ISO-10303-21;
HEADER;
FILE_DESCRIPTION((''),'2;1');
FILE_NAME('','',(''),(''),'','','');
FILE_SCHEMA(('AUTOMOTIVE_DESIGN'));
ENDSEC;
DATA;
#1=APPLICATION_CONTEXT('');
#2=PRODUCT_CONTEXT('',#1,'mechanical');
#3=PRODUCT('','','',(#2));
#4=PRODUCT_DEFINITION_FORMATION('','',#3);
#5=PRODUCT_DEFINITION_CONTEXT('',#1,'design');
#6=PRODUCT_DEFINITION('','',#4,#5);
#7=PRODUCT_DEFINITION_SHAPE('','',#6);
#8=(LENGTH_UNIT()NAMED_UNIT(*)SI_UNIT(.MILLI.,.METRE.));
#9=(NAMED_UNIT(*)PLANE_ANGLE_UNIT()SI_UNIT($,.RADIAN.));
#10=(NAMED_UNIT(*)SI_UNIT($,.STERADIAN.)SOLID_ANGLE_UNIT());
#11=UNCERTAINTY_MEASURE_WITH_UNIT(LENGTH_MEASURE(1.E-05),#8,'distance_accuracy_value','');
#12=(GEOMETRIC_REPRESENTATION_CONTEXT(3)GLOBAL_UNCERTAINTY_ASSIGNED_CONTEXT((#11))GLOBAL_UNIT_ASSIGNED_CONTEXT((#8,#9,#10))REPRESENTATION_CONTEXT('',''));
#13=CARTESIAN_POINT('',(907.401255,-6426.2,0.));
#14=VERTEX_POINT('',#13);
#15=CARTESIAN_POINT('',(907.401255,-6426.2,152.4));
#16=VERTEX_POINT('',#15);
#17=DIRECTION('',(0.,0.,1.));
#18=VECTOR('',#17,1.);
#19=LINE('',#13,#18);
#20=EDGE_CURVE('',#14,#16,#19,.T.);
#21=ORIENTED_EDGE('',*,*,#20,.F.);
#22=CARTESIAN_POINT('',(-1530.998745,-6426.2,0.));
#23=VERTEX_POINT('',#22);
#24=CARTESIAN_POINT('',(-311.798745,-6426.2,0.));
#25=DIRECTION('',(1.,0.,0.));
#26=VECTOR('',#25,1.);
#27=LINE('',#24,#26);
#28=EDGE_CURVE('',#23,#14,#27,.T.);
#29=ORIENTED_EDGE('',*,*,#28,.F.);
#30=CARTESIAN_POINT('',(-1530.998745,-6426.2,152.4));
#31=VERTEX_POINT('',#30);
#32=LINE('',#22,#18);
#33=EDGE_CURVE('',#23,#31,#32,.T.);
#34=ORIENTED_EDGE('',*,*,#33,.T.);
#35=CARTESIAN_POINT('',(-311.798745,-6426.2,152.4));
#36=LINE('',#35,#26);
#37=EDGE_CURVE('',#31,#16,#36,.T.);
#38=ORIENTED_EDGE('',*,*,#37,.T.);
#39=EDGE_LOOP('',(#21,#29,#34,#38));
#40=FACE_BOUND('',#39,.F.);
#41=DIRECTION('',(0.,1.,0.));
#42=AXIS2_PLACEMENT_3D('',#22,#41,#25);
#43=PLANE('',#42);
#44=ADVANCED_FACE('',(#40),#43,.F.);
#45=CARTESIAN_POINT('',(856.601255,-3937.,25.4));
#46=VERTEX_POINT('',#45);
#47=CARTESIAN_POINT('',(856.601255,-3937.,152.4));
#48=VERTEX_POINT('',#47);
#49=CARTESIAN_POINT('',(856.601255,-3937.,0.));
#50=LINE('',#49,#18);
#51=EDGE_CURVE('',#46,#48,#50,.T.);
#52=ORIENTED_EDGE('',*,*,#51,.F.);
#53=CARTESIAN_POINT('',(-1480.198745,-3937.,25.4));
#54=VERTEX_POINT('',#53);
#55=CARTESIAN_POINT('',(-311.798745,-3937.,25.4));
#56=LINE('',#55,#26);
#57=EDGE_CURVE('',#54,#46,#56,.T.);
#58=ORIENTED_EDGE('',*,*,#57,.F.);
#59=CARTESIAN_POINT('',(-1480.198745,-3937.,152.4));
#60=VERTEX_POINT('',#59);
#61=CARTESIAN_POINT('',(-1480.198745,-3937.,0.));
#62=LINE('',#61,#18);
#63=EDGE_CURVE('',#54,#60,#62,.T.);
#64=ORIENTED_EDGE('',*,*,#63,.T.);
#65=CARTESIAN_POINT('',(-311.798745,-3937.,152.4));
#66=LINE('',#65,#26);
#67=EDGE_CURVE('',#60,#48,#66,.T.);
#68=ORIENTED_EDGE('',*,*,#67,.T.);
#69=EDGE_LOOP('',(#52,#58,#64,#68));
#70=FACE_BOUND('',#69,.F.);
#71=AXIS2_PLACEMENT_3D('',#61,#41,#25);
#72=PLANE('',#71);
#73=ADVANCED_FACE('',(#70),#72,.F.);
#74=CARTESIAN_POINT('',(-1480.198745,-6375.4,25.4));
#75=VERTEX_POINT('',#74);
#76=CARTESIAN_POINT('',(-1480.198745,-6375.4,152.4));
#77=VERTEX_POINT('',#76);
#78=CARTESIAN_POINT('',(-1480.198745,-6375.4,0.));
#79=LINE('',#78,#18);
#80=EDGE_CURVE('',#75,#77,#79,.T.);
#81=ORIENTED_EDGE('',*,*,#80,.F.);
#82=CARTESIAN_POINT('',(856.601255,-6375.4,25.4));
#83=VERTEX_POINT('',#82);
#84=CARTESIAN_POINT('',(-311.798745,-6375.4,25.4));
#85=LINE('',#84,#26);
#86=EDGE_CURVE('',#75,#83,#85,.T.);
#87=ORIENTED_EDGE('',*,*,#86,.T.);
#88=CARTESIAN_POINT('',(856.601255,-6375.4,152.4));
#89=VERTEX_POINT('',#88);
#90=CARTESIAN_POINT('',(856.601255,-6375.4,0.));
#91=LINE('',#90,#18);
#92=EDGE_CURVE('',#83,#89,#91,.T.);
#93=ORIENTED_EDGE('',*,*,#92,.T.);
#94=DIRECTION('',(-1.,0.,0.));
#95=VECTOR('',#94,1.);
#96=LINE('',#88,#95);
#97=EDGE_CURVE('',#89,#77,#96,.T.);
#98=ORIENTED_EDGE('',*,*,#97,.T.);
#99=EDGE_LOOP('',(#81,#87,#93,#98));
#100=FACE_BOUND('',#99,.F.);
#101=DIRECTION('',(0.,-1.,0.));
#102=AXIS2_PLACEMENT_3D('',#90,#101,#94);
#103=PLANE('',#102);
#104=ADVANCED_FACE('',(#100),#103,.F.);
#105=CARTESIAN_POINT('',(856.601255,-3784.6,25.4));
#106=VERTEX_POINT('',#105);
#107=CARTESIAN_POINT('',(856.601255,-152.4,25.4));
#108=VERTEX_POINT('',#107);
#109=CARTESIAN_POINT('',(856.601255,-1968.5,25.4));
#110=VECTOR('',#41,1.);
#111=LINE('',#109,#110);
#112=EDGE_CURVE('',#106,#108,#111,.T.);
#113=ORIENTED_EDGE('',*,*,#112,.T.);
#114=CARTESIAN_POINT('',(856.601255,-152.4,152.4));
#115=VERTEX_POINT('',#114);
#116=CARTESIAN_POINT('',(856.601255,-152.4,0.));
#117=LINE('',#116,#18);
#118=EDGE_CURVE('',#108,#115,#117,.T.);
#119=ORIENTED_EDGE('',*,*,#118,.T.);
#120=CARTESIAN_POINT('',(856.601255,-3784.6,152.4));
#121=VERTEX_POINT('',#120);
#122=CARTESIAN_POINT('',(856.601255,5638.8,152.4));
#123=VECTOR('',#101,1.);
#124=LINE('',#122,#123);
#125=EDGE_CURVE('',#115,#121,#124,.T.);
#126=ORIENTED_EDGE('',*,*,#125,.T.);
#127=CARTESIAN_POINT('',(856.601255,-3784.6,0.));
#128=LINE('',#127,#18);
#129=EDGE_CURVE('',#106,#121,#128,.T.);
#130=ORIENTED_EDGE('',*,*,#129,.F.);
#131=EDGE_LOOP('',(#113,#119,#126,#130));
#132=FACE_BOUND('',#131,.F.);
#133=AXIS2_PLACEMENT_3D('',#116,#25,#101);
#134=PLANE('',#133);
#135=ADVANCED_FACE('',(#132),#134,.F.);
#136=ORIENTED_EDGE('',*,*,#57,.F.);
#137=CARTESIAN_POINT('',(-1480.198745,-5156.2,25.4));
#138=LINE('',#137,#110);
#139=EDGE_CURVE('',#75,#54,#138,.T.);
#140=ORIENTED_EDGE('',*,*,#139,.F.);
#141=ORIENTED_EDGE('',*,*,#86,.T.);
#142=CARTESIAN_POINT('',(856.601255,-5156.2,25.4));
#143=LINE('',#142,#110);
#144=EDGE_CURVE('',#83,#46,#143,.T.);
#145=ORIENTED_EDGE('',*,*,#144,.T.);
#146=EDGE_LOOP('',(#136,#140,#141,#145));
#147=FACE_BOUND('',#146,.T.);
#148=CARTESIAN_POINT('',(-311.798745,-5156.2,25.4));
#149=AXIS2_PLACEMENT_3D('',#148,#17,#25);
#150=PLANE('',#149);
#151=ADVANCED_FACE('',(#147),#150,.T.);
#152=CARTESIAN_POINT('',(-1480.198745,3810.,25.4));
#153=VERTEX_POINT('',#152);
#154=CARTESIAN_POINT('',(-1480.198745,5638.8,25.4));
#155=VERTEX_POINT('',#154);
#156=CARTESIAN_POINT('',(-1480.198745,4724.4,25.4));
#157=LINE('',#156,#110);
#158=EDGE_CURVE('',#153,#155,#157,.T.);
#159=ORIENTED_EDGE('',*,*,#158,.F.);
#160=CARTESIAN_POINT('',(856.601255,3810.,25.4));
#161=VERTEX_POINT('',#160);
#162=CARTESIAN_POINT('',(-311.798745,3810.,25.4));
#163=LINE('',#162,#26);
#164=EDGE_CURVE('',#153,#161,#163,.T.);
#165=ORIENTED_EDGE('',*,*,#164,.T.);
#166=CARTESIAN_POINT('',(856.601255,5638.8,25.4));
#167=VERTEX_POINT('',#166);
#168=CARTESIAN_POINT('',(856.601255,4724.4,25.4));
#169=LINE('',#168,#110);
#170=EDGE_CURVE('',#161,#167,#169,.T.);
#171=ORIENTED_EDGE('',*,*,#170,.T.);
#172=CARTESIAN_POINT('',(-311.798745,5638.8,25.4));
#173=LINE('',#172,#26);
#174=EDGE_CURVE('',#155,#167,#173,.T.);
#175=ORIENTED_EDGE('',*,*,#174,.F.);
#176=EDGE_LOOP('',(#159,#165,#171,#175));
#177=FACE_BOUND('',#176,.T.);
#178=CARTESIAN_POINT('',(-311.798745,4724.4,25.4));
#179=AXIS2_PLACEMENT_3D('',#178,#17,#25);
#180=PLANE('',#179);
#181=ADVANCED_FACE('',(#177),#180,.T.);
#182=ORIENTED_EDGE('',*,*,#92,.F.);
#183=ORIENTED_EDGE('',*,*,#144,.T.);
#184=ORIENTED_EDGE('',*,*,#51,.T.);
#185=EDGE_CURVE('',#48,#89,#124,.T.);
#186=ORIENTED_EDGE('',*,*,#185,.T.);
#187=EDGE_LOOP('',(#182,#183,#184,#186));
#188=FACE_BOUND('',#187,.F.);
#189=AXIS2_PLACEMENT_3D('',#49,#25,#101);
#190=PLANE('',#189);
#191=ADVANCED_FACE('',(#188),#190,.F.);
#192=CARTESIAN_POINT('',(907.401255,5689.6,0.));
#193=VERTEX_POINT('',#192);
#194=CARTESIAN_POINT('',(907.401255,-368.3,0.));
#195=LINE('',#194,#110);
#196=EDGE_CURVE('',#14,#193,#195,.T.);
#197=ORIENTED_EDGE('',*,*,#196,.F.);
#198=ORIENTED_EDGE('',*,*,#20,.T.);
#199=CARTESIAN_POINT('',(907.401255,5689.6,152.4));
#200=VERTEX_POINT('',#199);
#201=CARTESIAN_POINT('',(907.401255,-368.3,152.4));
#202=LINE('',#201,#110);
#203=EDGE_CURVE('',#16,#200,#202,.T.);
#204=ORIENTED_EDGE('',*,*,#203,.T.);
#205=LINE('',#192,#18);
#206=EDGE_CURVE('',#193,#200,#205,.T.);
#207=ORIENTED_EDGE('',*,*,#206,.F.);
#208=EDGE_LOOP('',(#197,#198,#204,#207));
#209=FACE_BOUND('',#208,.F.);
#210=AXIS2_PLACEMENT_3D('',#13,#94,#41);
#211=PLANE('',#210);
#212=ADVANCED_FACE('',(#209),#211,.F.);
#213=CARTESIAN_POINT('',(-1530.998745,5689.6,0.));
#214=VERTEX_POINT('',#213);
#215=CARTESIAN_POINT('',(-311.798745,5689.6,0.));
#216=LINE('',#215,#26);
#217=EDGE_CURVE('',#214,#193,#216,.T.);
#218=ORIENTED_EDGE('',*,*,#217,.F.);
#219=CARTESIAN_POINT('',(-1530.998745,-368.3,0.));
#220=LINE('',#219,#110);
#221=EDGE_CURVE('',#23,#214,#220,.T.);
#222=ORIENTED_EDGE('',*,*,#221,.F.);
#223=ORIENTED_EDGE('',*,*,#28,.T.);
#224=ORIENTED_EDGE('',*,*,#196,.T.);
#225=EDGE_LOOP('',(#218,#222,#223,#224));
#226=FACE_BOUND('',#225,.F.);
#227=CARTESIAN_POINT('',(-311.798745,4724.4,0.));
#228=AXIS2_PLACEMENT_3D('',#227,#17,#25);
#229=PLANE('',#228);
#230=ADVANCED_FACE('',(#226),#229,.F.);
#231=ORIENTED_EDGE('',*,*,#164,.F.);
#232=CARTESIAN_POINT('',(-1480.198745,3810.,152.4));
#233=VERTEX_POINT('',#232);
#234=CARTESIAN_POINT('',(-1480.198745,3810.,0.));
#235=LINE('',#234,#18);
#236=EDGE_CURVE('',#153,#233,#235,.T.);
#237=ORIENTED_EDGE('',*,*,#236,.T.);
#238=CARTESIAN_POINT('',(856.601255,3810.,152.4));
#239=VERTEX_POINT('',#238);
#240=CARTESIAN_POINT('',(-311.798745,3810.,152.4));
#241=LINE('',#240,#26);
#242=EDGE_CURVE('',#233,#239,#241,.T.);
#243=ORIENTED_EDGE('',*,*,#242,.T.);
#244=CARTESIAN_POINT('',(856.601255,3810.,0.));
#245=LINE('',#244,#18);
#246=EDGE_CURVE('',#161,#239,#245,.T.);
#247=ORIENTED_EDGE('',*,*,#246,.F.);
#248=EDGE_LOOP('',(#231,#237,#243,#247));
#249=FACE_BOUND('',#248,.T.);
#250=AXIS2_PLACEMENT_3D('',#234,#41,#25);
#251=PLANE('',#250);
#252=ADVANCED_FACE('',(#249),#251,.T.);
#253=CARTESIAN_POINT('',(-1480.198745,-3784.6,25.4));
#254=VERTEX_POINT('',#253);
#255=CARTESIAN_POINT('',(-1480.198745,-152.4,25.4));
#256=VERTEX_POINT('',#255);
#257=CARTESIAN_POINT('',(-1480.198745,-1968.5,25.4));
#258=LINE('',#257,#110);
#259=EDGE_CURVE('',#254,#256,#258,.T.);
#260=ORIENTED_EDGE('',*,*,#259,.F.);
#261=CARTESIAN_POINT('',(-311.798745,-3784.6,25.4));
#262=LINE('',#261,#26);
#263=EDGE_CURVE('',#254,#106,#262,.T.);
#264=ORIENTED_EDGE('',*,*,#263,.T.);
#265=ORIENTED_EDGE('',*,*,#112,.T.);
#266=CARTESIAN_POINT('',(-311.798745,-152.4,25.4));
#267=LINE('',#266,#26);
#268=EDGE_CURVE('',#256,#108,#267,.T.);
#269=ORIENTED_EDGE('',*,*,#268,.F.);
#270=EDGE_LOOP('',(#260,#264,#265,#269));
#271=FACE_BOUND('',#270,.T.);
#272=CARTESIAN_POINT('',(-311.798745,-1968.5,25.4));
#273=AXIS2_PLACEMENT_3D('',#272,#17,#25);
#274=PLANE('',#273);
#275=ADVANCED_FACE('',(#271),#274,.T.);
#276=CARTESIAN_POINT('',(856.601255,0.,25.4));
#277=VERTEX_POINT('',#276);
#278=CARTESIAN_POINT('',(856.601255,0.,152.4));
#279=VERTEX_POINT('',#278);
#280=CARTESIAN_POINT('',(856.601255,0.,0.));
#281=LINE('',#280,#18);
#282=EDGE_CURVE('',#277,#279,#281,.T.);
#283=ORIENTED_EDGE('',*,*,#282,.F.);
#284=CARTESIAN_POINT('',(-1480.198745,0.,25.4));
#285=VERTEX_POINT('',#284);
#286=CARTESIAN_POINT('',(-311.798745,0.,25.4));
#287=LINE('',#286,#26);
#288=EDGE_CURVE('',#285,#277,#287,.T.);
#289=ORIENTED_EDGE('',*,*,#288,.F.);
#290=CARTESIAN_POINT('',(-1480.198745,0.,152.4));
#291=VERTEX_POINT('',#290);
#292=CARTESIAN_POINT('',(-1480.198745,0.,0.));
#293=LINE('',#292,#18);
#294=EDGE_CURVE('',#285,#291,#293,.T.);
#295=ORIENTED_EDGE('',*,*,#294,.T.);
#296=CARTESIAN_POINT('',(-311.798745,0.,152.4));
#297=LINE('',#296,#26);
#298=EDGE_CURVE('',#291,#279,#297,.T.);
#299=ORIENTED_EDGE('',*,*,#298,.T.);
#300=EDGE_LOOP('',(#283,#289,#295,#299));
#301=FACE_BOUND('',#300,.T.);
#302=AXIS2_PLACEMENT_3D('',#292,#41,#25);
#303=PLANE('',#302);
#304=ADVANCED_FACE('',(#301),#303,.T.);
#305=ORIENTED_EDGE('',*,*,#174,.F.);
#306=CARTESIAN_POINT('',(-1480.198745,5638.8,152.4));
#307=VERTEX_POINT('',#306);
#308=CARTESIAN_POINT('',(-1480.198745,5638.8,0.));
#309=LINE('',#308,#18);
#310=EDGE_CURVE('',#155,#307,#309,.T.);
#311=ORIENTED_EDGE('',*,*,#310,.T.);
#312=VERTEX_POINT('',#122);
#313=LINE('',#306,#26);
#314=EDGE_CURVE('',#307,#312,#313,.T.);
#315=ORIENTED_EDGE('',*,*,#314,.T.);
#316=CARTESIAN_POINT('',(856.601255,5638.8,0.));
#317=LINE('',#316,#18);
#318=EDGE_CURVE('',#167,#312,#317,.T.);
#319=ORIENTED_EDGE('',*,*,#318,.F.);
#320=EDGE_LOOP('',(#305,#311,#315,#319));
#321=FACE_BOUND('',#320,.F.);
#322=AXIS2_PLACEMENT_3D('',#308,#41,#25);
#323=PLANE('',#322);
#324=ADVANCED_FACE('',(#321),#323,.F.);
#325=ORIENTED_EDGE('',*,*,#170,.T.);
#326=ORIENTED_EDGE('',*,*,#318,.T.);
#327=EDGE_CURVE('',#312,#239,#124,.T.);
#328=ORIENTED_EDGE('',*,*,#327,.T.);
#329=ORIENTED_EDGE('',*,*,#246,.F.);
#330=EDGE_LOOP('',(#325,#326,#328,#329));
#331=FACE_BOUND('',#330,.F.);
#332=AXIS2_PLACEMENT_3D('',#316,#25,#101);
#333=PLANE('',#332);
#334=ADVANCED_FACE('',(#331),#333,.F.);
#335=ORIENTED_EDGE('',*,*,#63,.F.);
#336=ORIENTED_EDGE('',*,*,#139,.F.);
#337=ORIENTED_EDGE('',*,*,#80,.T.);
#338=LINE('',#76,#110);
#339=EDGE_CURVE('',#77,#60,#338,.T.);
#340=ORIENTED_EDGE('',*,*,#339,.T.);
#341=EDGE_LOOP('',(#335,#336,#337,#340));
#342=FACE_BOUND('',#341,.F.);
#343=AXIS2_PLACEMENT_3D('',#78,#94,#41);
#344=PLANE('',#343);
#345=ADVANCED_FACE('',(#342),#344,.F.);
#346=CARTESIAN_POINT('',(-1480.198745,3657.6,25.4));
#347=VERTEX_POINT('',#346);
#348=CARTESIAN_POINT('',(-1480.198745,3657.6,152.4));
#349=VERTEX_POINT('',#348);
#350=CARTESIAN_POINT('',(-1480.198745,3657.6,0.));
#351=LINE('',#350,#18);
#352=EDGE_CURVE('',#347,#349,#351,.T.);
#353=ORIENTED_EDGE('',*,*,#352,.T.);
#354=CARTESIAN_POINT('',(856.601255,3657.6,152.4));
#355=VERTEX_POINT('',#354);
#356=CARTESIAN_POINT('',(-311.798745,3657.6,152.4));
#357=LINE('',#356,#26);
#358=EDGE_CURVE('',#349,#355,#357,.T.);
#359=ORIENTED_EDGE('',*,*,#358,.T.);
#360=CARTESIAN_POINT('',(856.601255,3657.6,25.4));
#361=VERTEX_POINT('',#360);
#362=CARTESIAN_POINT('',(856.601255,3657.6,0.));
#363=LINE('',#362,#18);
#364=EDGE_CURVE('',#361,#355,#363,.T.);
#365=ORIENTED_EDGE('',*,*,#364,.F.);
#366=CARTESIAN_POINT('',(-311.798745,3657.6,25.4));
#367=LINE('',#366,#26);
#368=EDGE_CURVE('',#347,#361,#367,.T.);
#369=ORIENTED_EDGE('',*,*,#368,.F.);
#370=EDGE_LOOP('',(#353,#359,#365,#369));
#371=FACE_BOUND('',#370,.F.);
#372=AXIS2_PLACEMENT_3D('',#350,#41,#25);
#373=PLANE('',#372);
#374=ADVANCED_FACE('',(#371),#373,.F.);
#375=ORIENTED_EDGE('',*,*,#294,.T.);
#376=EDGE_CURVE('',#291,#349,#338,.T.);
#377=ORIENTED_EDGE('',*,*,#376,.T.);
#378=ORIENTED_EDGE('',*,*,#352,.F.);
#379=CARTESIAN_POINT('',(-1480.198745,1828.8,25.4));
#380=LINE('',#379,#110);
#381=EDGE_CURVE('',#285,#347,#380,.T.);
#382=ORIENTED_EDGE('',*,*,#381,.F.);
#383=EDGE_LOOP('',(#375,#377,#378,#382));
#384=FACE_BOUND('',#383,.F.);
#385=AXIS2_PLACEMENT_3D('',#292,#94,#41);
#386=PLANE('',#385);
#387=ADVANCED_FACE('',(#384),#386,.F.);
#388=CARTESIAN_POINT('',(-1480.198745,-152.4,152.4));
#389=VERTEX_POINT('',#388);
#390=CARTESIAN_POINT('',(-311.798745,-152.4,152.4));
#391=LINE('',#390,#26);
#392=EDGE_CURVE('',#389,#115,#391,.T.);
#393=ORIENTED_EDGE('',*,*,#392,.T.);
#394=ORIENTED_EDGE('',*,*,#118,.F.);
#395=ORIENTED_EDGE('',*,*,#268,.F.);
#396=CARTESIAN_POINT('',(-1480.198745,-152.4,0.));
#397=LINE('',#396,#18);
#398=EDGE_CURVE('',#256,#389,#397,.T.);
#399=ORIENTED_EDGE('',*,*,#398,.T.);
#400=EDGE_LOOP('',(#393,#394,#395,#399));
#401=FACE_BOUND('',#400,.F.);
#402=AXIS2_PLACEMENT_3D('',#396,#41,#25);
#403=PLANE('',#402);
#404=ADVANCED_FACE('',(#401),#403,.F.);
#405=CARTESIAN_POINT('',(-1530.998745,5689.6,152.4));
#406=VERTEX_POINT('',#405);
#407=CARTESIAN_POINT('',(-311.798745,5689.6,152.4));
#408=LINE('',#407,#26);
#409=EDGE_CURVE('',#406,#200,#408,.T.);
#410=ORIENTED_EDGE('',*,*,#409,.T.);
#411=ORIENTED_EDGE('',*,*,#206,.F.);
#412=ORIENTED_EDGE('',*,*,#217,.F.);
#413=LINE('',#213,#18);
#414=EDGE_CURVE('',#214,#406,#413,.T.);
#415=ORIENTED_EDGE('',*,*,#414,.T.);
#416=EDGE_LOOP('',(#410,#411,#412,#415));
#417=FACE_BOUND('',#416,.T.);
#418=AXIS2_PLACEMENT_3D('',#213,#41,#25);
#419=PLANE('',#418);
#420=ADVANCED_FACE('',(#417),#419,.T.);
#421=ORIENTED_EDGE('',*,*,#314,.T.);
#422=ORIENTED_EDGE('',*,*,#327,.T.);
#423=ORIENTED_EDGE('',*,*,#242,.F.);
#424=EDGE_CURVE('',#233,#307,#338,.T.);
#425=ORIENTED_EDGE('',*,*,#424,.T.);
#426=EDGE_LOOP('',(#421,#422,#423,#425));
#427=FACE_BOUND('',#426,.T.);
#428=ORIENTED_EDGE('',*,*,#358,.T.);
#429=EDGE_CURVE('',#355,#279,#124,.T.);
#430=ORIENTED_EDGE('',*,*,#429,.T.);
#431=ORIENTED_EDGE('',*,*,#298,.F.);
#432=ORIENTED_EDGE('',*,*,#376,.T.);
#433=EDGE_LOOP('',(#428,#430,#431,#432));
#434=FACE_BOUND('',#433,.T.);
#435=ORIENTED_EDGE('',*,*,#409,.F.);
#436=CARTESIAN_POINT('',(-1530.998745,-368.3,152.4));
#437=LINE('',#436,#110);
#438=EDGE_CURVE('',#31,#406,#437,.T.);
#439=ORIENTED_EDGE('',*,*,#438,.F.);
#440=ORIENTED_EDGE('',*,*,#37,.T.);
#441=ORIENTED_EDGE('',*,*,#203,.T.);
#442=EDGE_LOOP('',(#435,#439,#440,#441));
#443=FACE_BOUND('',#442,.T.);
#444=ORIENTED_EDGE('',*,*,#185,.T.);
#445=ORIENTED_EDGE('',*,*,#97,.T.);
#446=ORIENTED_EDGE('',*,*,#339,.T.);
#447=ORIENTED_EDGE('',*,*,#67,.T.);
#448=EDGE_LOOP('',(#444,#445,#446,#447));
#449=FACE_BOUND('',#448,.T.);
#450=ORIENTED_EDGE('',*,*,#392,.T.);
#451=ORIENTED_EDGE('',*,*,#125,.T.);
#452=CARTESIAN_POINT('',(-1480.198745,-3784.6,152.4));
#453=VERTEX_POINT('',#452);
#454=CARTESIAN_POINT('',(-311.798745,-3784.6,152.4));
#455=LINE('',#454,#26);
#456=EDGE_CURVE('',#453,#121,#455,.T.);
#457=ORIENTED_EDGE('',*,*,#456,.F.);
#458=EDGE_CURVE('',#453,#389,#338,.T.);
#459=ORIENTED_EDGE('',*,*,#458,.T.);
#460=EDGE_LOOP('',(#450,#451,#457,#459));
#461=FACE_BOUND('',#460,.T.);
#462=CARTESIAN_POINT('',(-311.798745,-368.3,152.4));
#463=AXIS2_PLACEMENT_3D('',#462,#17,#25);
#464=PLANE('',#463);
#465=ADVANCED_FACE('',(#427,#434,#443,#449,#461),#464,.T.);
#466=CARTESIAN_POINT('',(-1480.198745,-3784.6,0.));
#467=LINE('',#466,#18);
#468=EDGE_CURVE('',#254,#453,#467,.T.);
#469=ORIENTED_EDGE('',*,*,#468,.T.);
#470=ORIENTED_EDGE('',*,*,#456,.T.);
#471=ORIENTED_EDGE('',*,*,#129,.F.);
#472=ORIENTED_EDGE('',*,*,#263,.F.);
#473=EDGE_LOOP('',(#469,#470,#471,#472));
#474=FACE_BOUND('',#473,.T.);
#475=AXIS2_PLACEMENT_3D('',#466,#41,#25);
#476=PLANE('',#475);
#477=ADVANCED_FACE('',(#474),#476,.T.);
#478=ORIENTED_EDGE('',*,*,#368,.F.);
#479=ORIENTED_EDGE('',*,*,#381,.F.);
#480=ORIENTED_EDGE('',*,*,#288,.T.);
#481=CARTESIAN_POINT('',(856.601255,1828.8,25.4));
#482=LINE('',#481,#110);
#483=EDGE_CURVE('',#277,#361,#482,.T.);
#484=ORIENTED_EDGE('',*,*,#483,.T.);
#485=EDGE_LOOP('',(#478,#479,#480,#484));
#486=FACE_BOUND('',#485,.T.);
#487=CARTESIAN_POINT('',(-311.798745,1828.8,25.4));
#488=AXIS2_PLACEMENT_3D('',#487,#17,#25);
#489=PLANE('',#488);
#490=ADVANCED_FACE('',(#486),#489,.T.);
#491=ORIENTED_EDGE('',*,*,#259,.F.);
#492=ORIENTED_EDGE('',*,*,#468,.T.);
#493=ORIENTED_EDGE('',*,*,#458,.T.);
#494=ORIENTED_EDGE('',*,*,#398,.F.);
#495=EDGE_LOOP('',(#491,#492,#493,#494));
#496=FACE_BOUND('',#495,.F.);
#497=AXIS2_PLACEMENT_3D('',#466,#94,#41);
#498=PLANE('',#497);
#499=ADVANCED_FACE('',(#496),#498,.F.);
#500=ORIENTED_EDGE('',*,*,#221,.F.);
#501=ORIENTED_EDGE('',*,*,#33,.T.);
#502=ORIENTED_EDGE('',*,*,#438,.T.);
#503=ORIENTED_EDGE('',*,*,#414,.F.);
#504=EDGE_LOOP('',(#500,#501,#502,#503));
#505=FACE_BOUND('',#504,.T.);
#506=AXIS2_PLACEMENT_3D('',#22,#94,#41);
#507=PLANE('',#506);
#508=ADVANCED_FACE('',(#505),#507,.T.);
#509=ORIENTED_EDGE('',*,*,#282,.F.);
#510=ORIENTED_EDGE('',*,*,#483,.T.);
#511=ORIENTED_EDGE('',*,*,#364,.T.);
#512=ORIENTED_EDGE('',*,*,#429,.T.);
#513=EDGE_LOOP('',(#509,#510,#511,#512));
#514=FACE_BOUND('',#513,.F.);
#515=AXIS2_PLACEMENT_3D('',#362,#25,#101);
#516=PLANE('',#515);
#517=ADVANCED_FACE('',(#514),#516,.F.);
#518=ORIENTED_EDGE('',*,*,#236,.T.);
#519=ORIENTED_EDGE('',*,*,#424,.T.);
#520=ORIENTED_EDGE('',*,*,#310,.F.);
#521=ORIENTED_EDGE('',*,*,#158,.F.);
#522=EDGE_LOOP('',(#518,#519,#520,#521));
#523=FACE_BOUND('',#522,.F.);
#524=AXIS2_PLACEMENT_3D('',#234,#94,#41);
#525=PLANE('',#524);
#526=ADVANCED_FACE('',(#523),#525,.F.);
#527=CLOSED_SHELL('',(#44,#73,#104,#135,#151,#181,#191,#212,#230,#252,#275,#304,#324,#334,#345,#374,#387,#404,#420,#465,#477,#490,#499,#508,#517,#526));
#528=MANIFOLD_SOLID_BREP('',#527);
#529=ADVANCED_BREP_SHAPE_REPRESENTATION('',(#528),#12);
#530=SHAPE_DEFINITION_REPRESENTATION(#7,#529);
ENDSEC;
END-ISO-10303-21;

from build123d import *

# Parameters (mm, degrees)
F0_W     = 2438.4
F0_H     = 12115.8
F0_W_2   = 2336.8
F0_H_2   = 152.4
F1_DEPTH = 152.4
F0_H_3   = 1828.8
F0_H_4   = 3657.6
F0_H_5   = 3632.2
F0_H_6   = 2438.4
F2_DEPTH = 25.4


with BuildPart() as f1:
    # F0 (on Top) → F1 (new body)
    with BuildSketch(Plane.XY):
        with Locations((-311.798745, -368.3)):
            Rectangle(F0_W, F0_H)
        Polygon((856.601255, -6375.4), (-1480.198745, -6375.4), (-1480.198745, -3937), (-1480.198745, -3784.6), (-1480.198745, -152.4), (-1480.198745, 0), (-1480.198745, 3657.6), (-1480.198745, 3810), (-1480.198745, 5638.8), (856.601255, 5638.8), (856.601255, 3810), (856.601255, 3657.6), (856.601255, 0), (856.601255, -152.4), (856.601255, -3784.6), (856.601255, -3937), align=None, mode=Mode.SUBTRACT)
        with Locations((-311.798745, 3733.8)):
            Rectangle(F0_W_2, F0_H_2)
        with Locations((-311.798745, -76.2)):
            Rectangle(F0_W_2, F0_H_2)
        with Locations((-311.798745, -3860.8)):
            Rectangle(F0_W_2, F0_H_2)
    extrude(amount=F1_DEPTH)

    # F0 (on Top) → F2 (join)
    with BuildSketch(Plane.XY):
        with Locations((-311.798745, 4724.4)):
            Rectangle(F0_W_2, F0_H_3)
        with Locations((-311.798745, 1828.8)):
            Rectangle(F0_W_2, F0_H_4)
        with Locations((-311.798745, -1968.5)):
            Rectangle(F0_W_2, F0_H_5)
        with Locations((-311.798745, -5156.2)):
            Rectangle(F0_W_2, F0_H_6)
    extrude(amount=F2_DEPTH)


solid = f1.part
